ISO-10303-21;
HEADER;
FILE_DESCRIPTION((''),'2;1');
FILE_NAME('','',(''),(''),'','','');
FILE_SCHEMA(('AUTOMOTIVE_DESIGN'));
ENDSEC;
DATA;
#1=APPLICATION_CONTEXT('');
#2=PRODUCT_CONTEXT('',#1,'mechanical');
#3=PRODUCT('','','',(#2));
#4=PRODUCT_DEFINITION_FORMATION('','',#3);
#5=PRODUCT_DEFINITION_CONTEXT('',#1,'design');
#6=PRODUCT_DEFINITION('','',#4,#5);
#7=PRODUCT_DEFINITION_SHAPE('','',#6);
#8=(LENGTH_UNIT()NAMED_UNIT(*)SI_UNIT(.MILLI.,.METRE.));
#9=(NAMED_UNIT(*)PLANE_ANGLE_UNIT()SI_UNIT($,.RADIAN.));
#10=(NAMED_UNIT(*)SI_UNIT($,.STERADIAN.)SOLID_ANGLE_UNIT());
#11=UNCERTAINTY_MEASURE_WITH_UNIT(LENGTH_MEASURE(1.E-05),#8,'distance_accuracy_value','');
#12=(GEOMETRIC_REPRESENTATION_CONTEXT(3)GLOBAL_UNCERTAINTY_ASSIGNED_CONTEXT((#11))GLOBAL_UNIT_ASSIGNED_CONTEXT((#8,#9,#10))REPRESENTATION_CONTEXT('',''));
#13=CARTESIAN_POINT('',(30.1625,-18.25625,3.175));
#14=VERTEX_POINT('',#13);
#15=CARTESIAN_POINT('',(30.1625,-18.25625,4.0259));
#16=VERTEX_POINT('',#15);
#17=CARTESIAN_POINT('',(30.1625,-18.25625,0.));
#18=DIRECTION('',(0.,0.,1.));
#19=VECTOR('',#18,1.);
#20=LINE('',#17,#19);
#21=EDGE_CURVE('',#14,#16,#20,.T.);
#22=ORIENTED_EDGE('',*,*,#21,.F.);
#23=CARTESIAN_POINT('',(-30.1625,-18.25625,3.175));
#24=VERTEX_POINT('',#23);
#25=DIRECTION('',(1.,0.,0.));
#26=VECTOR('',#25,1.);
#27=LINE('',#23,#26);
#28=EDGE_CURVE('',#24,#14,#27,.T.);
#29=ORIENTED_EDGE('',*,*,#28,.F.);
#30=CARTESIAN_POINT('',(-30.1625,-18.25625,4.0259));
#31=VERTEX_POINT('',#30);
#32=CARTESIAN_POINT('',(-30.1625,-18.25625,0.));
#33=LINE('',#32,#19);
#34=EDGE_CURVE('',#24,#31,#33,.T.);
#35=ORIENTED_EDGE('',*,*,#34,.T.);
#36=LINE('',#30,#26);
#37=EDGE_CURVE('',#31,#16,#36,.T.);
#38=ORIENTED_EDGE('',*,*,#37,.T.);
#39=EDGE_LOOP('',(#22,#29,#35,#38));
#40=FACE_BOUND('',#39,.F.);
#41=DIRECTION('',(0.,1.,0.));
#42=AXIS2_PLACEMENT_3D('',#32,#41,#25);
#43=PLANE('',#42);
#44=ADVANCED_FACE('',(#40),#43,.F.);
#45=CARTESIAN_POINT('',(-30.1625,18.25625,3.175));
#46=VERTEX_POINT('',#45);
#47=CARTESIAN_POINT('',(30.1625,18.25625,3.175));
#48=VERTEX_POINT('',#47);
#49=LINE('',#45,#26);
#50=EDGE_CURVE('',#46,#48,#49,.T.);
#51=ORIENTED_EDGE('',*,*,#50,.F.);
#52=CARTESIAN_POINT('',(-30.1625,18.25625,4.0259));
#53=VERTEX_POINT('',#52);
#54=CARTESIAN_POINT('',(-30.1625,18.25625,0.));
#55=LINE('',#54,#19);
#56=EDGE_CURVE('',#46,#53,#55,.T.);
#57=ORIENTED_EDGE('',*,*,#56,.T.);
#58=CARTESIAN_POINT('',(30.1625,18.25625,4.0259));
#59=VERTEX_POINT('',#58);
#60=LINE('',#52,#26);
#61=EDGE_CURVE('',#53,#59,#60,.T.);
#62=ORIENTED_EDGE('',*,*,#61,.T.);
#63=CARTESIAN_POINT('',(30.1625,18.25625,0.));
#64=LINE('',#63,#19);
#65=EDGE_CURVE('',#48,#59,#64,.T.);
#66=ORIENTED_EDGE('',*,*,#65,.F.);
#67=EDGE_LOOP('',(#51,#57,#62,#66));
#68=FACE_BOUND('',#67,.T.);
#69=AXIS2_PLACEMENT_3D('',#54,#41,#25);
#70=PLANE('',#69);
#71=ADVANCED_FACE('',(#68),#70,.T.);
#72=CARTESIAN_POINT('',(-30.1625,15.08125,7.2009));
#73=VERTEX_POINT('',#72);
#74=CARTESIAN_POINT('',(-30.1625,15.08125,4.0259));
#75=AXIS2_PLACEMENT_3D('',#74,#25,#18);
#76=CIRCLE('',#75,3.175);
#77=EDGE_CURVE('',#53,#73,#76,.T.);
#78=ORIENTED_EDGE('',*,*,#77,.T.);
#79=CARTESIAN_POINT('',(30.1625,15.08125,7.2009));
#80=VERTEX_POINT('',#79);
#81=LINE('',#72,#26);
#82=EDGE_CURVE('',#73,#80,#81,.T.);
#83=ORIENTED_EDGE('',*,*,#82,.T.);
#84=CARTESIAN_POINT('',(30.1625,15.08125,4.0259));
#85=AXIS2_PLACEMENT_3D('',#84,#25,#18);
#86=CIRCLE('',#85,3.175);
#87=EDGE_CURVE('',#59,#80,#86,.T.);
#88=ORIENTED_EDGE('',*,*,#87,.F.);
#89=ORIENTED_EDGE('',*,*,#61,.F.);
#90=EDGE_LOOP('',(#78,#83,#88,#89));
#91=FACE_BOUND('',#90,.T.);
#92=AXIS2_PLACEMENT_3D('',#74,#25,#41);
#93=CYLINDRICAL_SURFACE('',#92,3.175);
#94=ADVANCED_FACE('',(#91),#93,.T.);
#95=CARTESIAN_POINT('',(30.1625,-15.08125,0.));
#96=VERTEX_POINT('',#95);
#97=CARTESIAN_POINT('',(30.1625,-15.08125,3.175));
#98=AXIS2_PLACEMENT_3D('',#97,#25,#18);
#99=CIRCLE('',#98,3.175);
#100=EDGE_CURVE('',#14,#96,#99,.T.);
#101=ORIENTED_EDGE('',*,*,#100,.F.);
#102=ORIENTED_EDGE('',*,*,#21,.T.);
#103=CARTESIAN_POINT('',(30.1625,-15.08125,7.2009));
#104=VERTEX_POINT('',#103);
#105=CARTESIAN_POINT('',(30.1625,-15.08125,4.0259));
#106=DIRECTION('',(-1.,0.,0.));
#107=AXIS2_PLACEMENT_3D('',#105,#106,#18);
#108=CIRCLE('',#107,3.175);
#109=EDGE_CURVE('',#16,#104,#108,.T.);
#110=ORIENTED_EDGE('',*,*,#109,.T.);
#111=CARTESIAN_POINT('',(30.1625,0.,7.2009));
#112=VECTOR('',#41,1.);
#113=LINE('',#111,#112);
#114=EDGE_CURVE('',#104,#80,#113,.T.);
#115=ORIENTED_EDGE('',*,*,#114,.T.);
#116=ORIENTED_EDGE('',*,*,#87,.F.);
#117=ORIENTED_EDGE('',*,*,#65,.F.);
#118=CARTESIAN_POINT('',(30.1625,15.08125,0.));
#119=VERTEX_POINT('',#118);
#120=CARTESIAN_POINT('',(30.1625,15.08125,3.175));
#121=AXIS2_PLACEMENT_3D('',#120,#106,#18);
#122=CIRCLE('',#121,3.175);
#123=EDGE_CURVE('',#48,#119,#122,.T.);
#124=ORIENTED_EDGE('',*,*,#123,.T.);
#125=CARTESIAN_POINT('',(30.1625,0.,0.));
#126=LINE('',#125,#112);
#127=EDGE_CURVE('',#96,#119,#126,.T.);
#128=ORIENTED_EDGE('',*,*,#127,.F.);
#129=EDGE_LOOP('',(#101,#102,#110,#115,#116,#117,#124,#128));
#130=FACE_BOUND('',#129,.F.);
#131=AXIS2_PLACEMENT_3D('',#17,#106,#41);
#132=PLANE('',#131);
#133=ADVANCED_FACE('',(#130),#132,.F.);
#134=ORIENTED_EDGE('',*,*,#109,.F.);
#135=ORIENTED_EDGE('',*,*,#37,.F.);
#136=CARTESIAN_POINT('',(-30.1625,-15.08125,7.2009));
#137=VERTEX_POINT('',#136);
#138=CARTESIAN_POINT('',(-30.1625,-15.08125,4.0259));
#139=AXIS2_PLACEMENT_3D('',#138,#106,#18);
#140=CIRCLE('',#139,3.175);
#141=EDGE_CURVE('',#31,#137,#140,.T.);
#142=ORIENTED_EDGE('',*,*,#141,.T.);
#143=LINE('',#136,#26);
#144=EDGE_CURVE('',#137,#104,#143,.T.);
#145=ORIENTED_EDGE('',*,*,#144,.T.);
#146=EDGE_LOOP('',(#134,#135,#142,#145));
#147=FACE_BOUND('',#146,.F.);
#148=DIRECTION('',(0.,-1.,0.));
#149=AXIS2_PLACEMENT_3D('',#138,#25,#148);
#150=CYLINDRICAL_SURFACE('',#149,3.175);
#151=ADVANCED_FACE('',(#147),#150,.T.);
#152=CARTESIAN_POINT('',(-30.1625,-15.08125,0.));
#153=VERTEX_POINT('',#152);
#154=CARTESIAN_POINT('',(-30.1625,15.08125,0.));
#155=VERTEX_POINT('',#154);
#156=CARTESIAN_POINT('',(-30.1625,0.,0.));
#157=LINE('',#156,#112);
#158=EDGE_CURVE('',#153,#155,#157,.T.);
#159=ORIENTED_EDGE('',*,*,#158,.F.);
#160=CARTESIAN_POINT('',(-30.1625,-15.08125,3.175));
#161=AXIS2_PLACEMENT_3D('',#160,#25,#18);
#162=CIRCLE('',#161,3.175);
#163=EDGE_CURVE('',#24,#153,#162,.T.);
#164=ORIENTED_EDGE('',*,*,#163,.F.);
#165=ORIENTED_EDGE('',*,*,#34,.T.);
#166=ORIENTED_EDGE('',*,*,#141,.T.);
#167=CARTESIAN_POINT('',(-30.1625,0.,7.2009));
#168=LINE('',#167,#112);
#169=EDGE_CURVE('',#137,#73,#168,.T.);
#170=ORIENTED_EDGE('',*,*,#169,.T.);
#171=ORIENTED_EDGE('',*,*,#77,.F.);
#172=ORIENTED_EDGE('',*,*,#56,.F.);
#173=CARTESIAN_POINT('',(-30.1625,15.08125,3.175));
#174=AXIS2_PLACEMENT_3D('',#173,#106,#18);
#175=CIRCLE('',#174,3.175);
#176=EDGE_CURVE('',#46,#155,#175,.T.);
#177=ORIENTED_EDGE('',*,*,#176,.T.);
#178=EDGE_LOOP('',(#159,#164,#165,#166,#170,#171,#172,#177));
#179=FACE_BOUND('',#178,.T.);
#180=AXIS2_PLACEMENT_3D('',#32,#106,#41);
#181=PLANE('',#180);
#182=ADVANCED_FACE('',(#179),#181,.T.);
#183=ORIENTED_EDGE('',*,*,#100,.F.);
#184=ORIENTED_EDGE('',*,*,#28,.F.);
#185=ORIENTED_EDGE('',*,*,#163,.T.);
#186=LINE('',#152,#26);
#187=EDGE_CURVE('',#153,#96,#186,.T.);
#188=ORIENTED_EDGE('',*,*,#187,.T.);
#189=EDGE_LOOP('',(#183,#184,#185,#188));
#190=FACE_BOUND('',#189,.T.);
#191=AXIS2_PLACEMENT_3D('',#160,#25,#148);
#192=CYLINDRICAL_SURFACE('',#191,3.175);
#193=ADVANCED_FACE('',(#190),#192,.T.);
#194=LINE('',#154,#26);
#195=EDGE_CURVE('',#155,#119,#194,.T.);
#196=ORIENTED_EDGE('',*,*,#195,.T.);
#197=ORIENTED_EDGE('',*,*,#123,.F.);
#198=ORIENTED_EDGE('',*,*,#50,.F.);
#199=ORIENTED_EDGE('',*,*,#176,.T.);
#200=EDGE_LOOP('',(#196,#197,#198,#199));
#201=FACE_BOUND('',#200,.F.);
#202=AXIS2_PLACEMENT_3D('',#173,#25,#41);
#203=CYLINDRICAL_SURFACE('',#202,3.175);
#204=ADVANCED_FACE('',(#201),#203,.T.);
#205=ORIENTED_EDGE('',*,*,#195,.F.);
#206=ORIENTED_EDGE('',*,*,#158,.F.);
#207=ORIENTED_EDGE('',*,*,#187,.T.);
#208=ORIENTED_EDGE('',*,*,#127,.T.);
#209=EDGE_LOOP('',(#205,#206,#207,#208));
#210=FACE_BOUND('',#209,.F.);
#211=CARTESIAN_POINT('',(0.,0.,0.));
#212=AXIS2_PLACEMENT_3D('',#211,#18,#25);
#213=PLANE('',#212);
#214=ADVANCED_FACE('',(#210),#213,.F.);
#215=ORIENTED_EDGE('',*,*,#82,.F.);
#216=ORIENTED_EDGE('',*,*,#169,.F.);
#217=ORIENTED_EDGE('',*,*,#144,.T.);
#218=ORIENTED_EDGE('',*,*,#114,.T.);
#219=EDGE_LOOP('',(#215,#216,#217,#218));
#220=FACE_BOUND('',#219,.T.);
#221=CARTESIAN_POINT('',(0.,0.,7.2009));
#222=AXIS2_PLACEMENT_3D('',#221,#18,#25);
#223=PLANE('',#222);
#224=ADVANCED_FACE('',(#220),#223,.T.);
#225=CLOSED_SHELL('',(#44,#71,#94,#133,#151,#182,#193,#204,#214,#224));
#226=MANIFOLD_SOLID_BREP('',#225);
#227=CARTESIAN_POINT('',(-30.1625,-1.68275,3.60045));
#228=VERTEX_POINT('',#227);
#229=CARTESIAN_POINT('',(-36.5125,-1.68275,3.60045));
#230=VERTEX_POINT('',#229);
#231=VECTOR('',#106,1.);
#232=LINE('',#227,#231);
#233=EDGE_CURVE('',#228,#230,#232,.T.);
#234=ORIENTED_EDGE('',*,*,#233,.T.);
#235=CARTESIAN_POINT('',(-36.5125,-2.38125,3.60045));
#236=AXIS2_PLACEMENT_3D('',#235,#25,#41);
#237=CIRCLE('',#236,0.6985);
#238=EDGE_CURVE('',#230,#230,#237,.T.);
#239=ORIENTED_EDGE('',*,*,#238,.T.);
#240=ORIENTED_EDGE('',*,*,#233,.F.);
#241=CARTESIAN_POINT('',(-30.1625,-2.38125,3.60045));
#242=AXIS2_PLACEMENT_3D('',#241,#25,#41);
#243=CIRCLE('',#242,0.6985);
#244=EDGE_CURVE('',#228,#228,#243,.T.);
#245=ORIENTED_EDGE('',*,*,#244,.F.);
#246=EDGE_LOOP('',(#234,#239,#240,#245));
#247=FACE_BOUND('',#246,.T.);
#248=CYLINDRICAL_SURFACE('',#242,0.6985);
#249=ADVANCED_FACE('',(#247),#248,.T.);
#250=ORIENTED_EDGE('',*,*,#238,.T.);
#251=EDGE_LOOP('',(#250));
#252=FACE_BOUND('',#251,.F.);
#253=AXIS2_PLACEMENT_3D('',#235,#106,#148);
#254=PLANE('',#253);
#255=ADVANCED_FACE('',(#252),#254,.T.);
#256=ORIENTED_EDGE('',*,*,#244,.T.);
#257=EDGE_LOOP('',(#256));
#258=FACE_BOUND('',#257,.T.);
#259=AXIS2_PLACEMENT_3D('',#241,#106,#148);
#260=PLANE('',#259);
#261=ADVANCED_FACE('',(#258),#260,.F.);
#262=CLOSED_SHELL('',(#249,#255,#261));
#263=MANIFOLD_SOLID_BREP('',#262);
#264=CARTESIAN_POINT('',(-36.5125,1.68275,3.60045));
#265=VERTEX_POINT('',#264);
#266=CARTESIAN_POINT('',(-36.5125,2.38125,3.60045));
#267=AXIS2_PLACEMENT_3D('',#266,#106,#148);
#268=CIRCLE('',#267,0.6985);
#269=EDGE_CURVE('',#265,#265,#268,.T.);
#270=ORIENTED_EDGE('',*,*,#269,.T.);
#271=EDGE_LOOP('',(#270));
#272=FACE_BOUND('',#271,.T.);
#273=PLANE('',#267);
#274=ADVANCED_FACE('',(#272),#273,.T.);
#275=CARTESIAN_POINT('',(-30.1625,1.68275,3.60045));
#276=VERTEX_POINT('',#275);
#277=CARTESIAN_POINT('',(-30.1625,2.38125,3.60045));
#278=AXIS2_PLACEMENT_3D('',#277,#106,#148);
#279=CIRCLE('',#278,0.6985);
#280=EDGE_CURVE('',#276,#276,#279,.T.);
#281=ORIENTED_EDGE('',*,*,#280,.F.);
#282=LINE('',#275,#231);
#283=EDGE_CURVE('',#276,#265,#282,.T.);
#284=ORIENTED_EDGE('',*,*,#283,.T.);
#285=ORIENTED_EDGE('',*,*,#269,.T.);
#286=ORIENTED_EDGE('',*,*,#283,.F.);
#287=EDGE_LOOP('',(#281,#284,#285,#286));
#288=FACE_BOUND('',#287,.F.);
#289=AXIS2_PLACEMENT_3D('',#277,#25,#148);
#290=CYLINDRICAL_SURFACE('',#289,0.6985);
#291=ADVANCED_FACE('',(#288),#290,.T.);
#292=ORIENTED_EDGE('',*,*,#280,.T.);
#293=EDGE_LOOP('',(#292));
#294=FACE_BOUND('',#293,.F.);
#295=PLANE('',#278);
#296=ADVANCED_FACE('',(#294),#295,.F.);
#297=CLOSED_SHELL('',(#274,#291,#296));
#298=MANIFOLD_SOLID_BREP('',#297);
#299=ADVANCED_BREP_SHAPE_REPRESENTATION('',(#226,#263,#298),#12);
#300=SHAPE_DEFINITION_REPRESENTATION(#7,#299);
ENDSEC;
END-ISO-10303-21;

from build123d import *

# Parameters (mm, degrees)
F0_W     = 60.325
F0_H     = 36.5125
F1_DEPTH = 7.2009
F2_R     = 3.175
F3_R     = 0.6985
F4_DEPTH = 6.35


with BuildPart() as f1:
    # F0 (on Top) → F1 (new body)
    with BuildSketch(Plane.XY):
        Rectangle(F0_W, F0_H)
    extrude(amount=F1_DEPTH)

    # F2
    f2_edges = [f1.edges().sort_by_distance(p)[0] for p in [
        (0, -18.25625, 7.2009),
        (0, -18.25625, 0),
        (0, 18.25625, 7.2009),
        (0, 18.25625, 0),
    ]]
    fillet(f2_edges, radius=F2_R)


with BuildPart() as f4:
    # F3 (on face) → F4 (new body)
    with BuildSketch(Plane(origin=(-30.1625, 0, 0), x_dir=(0, -1, 0), z_dir=(-1, 0, 0))):
        with Locations((-2.38125, 3.60045)):
            Circle(F3_R)
    extrude(amount=F4_DEPTH)


with BuildPart() as f5_1:
    # F5: instance of F4
    add(f4.part.mirror(Plane.XZ))


solid = Compound([f1.part, f4.part, f5_1.part])
